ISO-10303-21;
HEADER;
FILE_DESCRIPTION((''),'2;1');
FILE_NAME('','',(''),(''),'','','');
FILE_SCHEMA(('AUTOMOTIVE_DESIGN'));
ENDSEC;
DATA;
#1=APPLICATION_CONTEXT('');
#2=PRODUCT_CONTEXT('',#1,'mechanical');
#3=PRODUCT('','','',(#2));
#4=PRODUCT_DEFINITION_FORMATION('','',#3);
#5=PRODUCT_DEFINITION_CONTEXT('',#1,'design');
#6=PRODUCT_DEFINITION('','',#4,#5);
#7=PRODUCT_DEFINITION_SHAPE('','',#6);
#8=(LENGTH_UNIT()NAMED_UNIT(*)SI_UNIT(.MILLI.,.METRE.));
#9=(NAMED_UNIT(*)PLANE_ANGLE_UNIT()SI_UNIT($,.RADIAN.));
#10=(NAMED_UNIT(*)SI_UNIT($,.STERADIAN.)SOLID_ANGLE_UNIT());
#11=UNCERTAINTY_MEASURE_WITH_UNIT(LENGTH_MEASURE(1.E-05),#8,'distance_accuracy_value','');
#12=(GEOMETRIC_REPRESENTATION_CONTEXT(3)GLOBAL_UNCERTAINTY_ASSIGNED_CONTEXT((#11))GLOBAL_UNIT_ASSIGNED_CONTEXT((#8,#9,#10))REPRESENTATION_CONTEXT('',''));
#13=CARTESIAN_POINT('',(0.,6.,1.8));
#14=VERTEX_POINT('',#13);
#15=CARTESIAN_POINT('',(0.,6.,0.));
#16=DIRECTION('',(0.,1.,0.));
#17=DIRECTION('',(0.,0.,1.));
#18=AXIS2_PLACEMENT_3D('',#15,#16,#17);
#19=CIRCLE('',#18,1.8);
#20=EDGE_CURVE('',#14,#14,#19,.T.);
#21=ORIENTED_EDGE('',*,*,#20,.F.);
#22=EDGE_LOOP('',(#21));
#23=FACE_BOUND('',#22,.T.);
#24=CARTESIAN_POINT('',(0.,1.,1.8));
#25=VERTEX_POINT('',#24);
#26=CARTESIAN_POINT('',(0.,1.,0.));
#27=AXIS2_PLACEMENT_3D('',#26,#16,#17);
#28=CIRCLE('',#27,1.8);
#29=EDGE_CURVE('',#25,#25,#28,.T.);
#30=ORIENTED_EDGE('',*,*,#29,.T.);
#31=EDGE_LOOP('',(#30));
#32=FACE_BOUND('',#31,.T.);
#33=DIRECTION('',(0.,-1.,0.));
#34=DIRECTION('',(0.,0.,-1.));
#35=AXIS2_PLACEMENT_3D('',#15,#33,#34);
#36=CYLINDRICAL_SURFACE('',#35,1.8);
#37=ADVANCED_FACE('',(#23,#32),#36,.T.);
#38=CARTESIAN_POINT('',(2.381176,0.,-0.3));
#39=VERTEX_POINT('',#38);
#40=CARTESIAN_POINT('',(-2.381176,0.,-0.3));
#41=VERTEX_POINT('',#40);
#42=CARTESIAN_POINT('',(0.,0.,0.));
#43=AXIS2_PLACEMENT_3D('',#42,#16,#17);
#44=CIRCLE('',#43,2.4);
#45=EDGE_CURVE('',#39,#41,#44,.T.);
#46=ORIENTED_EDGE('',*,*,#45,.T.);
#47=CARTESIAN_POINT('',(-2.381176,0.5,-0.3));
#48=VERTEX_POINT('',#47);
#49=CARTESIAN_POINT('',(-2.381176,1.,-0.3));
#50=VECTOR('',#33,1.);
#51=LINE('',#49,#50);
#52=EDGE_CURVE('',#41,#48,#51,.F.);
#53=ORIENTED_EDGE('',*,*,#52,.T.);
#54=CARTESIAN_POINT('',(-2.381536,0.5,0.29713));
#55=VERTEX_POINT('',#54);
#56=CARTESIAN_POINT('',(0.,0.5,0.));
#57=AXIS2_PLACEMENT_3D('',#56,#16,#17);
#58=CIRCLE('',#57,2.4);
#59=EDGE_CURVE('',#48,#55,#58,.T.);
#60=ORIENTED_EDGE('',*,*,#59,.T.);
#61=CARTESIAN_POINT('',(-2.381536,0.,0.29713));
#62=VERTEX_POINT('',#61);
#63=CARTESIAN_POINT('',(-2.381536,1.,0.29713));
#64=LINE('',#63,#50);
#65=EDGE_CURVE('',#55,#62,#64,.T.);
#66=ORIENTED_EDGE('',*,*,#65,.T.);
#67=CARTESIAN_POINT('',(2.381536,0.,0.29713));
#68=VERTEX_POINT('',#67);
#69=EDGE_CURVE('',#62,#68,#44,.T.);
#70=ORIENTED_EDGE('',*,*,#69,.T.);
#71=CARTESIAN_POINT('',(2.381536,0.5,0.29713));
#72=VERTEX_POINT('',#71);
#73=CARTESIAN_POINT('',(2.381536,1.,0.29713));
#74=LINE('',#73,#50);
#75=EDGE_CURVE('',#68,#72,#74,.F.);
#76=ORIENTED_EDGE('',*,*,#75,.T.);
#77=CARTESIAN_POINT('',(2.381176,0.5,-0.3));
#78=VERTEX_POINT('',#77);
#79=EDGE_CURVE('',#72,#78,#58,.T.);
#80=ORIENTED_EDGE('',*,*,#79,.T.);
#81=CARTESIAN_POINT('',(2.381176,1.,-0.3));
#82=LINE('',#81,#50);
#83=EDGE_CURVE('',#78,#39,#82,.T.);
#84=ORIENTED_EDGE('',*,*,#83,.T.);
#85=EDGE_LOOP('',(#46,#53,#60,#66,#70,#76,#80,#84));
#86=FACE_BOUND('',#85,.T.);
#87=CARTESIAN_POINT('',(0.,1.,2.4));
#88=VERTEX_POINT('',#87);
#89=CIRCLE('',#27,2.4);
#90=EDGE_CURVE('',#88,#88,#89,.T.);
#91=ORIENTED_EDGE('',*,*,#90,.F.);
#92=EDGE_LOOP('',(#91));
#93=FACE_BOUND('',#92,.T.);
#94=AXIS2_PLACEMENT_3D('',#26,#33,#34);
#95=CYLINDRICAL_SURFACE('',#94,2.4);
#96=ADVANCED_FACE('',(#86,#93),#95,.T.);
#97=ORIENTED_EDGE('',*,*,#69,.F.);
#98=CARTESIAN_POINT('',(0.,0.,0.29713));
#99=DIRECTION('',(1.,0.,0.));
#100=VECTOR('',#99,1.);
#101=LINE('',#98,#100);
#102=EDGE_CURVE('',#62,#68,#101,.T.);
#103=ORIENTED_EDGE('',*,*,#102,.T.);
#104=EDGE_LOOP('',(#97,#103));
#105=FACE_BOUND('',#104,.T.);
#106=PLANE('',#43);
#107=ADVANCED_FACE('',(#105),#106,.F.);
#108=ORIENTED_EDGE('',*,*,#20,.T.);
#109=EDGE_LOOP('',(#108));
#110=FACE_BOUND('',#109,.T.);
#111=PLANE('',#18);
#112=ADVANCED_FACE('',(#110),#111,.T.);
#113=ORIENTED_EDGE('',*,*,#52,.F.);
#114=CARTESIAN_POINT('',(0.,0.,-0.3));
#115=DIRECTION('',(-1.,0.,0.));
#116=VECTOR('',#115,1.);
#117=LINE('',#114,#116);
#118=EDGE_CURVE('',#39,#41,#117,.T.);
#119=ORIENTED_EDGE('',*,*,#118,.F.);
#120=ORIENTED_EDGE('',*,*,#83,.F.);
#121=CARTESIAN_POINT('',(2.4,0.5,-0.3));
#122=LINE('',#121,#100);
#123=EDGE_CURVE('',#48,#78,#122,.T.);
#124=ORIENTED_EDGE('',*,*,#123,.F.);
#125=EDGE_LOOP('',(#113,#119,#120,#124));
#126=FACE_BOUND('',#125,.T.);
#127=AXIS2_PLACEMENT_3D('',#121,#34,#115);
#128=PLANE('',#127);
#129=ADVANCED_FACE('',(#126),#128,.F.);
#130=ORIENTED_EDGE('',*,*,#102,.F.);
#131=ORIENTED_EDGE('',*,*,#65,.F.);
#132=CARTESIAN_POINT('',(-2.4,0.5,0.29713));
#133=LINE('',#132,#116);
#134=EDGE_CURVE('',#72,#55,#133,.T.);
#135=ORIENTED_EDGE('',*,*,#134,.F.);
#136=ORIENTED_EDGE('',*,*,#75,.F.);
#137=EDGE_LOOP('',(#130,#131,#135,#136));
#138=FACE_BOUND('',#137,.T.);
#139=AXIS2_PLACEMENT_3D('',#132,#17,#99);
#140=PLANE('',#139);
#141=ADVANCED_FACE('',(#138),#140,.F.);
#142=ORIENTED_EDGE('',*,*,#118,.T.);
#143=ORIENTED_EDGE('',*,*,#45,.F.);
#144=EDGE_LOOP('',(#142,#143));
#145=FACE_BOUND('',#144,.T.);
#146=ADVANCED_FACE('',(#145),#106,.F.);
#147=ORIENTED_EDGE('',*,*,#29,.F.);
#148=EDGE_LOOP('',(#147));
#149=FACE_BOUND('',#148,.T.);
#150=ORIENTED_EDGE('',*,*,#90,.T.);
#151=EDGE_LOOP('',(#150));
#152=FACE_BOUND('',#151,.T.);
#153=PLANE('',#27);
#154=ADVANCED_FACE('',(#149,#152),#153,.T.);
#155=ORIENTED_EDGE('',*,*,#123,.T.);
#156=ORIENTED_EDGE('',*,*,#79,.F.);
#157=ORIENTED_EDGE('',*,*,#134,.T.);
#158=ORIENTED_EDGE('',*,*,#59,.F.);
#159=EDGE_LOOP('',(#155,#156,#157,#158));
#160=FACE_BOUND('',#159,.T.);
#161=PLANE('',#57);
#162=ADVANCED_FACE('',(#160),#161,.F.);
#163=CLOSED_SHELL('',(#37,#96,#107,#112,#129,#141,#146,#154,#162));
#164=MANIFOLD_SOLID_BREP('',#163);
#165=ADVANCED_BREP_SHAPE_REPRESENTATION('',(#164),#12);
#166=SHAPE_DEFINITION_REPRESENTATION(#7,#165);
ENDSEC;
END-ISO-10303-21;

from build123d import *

# Parameters (mm, degrees)
ESQUISSE1_R             = 2.4
ESQUISSE1_R_2           = 1.8
BOSS_EXTRU_1_DEPTH      = 1
ESQUISSE2_R             = 1.8
BOSS_EXTRU_2_DEPTH      = 5
ENL_V_MAT_EXTRU_1_DEPTH = 0.5


with BuildPart() as part:
    # Esquisse1 → Boss.-Extru.1 (new body)
    with BuildSketch(Plane(origin=(0, 0, 0), x_dir=(1, 0, 0), z_dir=(0, 1, 0))):
        with Locations(Location((0, 0, 0), (0, 0, 270))):
            Circle(ESQUISSE1_R)
        Circle(ESQUISSE1_R_2, mode=Mode.SUBTRACT)
        Circle(ESQUISSE1_R_2)
    extrude(amount=BOSS_EXTRU_1_DEPTH)

    # Esquisse2 → Boss.-Extru.2 (add)
    with BuildSketch(Plane(origin=(0, 1, 0), x_dir=(1, 0, 0), z_dir=(0, 1, 0))):
        with Locations(Location((0, 0, 0), (0, 0, 270))):
            Circle(ESQUISSE2_R)
    extrude(amount=BOSS_EXTRU_2_DEPTH)

    # Esquisse3 → Enlèv. mat.-Extru.1 (cut)
    with BuildSketch(Plane.XZ):
        Polygon((2.4, 0), (2.4, -0.3), (-2.4, -0.3), (-2.4, 0), (-2.4, 0.297130131), (2.4, 0.297130131), align=None)
    extrude(amount=-ENL_V_MAT_EXTRU_1_DEPTH, mode=Mode.SUBTRACT)


solid = part.part
